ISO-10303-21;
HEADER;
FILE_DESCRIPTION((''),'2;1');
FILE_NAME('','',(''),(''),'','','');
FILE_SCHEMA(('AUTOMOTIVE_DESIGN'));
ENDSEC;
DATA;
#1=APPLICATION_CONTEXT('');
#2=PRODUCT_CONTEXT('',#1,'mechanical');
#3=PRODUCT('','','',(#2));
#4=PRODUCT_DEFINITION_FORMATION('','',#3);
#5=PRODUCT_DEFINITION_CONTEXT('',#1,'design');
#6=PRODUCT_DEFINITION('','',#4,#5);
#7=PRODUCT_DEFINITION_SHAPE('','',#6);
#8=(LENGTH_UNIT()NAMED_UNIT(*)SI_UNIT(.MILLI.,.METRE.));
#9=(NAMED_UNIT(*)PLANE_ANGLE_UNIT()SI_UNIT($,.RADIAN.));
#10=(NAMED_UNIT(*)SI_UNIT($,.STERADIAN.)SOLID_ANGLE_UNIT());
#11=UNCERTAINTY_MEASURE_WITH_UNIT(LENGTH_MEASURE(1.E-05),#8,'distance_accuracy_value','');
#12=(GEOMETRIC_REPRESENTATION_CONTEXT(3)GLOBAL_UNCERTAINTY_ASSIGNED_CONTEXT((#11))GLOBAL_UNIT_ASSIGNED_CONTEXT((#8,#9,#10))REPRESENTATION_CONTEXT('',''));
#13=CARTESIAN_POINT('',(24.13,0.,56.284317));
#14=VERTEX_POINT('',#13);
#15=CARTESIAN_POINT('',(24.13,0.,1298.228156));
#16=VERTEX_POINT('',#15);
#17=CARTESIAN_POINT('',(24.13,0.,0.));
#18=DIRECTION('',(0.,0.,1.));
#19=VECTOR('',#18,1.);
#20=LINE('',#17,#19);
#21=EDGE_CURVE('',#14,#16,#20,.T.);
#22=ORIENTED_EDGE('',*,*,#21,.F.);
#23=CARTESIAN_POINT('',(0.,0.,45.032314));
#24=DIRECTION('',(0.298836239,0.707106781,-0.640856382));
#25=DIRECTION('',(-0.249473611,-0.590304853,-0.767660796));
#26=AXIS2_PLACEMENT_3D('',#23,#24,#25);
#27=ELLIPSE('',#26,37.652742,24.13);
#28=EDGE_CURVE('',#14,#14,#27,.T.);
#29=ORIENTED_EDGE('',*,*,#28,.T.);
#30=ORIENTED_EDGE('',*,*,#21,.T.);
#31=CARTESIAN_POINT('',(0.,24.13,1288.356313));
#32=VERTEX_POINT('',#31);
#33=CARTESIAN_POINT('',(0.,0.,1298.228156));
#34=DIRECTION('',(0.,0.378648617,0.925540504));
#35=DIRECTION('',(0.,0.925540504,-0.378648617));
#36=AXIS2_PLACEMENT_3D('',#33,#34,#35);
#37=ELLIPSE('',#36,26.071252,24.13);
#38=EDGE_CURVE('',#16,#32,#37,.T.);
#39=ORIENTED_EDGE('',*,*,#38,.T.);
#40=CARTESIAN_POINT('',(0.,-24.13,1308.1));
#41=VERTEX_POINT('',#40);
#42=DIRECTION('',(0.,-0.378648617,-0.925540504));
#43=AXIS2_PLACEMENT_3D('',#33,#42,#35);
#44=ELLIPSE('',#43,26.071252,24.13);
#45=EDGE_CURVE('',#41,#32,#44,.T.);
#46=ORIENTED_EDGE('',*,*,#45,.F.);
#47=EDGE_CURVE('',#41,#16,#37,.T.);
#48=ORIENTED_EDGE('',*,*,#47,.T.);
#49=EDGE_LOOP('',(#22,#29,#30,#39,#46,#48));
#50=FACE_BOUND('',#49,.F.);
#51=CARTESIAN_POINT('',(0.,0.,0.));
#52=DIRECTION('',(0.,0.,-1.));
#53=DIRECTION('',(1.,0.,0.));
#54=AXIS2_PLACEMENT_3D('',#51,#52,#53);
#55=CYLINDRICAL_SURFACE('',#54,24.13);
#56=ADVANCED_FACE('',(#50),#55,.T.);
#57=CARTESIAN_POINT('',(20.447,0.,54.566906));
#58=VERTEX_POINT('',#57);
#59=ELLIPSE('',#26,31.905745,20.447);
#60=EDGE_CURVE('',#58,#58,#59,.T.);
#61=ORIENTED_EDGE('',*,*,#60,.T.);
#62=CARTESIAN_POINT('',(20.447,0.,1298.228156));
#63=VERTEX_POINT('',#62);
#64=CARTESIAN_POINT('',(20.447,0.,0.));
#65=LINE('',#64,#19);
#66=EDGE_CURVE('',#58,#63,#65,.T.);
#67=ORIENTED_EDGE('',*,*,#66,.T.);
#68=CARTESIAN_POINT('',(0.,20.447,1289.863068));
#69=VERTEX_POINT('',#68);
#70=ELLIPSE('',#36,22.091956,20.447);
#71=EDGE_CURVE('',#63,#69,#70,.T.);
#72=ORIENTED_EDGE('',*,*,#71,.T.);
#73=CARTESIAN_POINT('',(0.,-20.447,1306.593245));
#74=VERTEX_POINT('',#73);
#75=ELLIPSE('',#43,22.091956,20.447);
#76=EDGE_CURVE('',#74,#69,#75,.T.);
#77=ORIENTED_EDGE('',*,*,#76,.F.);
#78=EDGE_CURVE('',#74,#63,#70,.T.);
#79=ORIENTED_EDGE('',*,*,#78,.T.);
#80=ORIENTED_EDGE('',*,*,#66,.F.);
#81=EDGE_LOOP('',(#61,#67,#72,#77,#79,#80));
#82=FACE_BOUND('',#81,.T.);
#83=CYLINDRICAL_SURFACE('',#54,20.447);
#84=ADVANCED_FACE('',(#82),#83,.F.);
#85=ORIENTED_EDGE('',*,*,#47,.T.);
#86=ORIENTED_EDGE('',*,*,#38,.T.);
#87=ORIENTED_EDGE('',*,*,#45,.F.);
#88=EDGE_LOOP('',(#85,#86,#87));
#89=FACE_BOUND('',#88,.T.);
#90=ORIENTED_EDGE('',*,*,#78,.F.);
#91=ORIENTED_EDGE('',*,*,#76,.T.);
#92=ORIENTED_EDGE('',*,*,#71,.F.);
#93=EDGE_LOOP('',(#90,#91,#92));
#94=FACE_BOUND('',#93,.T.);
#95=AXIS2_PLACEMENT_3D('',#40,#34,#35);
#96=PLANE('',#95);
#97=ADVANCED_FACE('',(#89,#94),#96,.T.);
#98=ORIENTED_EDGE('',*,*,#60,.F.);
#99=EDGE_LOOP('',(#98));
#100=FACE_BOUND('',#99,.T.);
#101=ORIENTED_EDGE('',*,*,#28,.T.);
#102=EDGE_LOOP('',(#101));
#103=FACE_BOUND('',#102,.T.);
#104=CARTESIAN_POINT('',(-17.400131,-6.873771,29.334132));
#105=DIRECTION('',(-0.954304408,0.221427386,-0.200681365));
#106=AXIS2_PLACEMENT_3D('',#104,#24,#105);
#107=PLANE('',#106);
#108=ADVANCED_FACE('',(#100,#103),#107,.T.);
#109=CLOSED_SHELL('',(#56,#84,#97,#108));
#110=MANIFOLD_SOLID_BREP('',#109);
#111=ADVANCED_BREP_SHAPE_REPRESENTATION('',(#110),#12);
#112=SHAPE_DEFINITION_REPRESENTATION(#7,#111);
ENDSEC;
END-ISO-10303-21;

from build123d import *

# Parameters (mm, degrees)
F0_R          = 24.13
F0_R_2        = 20.447
F1_DEPTH      = 1308.1
F3_DEPTH      = 24.131
F3_DEPTH_BACK = 24.131
F5_DEPTH      = 24.131
F5_DEPTH_BACK = 24.131
F8_W          = 230.4114792496
F8_H          = 177.8236068785
F9_DEPTH      = 25.4
F9_DEPTH_BACK = 20.32


with BuildPart() as f1:
    # F0 (on Top) → F1 (new body)
    with BuildSketch(Plane.XY):
        Circle(F0_R)
        Circle(F0_R_2, mode=Mode.SUBTRACT)
    extrude(amount=F1_DEPTH)

    # F2 (on Right) → F3 (cut, two sides)
    with BuildSketch(Plane.YZ) as f3_sk:
        Polygon((24.13, 1288.3563127231), (24.13, 1308.1), (-24.13, 1308.1), align=None)
    extrude(amount=-F3_DEPTH, mode=Mode.SUBTRACT)
    extrude(f3_sk.sketch, amount=F3_DEPTH_BACK, mode=Mode.SUBTRACT)

    # F4 (on Front) → F5 (cut, two sides)
    with BuildSketch(Plane.XZ) as f5_sk:
        Polygon((-28.575, 0), (28.575, 0), (28.575, 26.6494826636), align=None)
    extrude(amount=F5_DEPTH, mode=Mode.SUBTRACT)
    extrude(f5_sk.sketch, amount=-F5_DEPTH_BACK, mode=Mode.SUBTRACT)

    # F8 (on line) → F9 (cut, two sides)
    with BuildSketch(Plane(origin=(-2.5518360133, -6.0381584146, 5.4724299905), x_dir=(-0.9543044076, 0.2214273865, -0.2006813646), z_dir=(0.2988362387, 0.7071067812, -0.6408563821))) as f9_sk:
        with Locations((9.1961668804, 17.1195510775)):
            Rectangle(F8_W, F8_H)
    extrude(amount=F9_DEPTH, mode=Mode.SUBTRACT)
    extrude(f9_sk.sketch, amount=-F9_DEPTH_BACK, mode=Mode.SUBTRACT)


solid = f1.part
